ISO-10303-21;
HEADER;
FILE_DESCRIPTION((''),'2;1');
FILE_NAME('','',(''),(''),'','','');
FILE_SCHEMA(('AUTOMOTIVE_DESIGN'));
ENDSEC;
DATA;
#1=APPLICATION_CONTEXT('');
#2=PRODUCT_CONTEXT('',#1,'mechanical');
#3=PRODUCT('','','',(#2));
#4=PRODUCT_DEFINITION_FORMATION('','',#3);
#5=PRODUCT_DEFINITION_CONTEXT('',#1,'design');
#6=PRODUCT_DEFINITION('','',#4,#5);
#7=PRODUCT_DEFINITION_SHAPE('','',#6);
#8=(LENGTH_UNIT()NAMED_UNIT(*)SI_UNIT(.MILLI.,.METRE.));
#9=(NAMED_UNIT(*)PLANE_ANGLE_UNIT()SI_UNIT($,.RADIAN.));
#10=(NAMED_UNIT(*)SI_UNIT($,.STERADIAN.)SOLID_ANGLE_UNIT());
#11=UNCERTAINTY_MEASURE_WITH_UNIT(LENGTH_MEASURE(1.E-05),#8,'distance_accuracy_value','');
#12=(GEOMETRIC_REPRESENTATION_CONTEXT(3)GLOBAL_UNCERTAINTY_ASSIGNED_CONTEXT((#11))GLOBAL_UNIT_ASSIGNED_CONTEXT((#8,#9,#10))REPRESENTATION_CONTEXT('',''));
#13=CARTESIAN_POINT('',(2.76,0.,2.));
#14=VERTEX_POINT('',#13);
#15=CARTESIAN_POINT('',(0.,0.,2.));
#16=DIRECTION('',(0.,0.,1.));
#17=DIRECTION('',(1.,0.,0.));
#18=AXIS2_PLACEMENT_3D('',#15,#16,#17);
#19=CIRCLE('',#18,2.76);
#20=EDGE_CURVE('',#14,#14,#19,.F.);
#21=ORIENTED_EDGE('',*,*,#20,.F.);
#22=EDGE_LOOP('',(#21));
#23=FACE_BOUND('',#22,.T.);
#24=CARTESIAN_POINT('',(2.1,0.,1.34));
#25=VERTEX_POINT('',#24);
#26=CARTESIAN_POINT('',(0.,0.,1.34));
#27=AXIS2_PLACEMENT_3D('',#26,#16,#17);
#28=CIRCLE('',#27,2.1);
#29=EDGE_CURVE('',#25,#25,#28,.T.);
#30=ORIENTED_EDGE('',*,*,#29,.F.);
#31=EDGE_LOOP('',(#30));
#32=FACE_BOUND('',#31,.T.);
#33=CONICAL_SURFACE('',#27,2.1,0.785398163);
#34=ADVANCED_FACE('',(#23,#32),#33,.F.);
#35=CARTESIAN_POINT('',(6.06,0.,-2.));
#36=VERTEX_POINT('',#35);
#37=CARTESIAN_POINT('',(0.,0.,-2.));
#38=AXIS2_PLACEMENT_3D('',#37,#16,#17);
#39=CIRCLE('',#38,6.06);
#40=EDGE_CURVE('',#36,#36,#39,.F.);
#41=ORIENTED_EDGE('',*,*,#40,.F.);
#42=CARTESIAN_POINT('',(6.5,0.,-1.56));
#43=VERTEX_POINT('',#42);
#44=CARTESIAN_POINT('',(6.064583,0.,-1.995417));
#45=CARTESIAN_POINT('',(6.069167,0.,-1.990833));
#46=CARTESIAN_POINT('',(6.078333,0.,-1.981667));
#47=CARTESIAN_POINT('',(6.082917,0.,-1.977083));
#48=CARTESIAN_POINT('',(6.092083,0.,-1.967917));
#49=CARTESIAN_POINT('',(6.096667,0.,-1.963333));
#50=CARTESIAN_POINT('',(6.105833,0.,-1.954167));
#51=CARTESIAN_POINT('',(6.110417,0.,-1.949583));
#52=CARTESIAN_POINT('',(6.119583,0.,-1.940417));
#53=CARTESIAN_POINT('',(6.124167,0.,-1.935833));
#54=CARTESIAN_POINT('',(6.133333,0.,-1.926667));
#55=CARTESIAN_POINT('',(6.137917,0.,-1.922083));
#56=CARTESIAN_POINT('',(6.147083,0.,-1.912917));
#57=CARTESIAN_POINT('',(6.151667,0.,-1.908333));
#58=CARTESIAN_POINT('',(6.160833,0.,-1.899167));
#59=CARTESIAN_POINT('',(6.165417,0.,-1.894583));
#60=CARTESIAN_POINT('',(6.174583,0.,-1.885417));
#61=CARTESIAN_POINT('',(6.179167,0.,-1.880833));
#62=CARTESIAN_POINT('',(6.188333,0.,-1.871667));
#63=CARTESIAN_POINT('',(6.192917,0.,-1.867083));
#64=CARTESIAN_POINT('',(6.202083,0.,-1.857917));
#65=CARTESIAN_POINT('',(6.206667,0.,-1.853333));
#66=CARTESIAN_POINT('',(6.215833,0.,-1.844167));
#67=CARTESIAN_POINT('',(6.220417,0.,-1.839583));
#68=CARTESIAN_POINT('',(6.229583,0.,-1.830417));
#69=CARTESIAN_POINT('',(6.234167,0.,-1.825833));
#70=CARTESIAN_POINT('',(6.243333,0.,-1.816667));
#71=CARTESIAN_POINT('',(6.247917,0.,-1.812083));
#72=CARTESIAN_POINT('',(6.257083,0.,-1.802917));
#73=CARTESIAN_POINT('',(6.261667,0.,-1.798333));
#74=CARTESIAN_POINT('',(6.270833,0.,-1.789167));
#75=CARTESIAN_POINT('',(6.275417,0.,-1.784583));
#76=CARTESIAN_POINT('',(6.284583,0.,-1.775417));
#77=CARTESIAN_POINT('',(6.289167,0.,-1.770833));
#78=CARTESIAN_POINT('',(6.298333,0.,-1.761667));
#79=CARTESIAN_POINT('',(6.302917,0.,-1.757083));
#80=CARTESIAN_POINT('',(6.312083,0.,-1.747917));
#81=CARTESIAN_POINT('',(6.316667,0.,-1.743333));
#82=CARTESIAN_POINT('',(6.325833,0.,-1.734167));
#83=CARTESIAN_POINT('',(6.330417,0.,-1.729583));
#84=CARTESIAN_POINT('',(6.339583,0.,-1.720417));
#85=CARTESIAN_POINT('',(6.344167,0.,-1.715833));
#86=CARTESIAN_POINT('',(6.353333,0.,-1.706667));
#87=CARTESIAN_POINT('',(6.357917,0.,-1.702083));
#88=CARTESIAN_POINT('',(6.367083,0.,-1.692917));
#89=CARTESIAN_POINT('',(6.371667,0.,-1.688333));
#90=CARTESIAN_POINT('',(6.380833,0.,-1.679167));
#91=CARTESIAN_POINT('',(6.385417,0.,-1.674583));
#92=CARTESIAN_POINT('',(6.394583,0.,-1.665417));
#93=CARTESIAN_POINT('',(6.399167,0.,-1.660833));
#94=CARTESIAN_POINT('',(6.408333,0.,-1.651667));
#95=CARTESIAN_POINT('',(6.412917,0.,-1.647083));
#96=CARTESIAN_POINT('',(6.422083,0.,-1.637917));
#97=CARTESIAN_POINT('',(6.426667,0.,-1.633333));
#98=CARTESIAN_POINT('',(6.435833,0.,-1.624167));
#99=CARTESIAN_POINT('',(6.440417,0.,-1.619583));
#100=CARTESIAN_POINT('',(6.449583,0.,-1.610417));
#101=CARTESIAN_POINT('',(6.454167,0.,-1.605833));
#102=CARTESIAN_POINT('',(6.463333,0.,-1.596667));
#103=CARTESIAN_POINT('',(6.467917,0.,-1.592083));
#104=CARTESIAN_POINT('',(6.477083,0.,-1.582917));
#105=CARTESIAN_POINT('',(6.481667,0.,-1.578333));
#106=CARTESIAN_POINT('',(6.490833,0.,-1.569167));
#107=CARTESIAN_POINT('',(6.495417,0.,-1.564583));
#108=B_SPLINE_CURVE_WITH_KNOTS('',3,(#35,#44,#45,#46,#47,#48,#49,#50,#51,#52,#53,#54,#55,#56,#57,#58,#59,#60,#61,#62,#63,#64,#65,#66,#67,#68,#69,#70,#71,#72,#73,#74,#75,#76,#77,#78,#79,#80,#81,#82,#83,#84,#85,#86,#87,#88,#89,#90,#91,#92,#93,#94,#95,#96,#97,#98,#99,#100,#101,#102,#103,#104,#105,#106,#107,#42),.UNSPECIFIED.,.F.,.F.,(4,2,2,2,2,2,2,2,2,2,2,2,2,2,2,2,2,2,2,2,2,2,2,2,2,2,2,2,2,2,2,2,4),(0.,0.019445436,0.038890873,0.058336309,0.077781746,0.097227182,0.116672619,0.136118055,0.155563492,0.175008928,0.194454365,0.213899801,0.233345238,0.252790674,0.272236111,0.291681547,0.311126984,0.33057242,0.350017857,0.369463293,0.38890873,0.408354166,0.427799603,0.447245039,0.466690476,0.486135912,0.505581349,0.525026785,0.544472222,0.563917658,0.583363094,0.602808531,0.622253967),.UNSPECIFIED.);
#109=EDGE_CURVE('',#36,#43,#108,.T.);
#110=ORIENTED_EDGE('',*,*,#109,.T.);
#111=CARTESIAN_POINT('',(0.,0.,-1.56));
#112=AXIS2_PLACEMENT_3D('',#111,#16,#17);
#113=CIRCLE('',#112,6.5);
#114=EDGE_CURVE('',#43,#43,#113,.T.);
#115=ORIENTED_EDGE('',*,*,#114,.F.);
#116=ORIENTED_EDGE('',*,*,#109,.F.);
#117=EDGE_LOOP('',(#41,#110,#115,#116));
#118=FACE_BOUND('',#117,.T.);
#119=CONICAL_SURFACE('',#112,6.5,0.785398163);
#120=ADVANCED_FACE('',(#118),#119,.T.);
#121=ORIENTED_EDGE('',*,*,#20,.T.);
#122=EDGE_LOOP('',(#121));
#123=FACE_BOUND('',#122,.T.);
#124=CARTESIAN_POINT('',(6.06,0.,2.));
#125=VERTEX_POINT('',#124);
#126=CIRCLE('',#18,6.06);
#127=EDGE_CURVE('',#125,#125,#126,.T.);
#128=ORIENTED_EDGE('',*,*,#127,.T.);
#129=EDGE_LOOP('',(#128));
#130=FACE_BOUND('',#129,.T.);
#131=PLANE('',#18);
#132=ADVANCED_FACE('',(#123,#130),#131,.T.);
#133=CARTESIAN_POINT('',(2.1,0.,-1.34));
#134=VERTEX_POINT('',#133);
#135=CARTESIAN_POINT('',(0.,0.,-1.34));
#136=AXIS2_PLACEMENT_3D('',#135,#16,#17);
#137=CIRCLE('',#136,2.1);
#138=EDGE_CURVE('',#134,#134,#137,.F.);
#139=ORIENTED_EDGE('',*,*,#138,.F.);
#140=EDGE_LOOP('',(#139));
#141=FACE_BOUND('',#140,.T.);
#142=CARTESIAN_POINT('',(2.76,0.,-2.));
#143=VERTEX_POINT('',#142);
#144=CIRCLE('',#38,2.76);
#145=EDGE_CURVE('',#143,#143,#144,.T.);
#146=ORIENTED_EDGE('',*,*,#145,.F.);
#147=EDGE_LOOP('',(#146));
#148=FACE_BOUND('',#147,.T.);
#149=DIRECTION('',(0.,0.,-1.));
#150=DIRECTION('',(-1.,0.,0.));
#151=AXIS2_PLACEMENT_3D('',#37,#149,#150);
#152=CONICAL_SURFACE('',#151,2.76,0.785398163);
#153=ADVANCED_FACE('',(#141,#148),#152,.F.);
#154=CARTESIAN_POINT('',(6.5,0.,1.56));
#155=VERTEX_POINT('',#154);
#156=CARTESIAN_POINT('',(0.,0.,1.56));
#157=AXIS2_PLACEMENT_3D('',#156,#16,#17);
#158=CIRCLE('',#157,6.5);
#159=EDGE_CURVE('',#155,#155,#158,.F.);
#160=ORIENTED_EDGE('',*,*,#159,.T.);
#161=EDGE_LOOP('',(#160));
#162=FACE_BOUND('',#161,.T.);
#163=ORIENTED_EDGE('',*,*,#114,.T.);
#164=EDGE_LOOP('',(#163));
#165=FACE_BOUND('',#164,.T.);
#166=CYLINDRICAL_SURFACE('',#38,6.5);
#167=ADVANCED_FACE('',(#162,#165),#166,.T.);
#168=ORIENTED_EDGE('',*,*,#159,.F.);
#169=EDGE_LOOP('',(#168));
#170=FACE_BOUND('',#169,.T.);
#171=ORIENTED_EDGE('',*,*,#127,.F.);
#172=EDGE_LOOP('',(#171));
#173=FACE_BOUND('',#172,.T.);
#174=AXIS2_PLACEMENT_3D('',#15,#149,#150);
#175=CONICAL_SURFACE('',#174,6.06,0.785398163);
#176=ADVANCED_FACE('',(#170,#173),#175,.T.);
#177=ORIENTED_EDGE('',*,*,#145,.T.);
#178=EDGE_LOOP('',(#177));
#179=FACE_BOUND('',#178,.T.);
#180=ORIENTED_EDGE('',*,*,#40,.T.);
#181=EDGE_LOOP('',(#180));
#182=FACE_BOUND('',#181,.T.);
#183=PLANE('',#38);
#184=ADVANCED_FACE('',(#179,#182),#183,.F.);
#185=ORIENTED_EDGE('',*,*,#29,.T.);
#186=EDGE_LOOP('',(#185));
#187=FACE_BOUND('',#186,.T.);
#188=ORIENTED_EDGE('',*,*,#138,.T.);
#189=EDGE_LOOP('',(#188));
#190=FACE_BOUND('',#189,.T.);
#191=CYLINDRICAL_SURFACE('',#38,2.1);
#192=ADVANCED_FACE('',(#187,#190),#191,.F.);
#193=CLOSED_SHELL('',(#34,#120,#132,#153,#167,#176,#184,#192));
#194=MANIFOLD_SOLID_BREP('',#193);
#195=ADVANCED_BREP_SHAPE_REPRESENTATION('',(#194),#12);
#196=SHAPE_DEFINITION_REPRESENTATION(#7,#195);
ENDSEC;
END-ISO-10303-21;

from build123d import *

# Parameters (mm, degrees)
BOSS_EXTRUDE1_DEPTH      = 2
BOSS_EXTRUDE1_DEPTH_BACK = 2
SKETCH3_R                = 6.5
SKETCH3_R_2              = 2.1
CHAMFER1_SIZE            = 0.44
CHAMFER2_SIZE            = 0.66


with BuildPart() as part:
    # Sketch3 → Boss-Extrude1 (new, two sides: drawn at the far end of the back side and taken through both)
    with BuildSketch(Plane.XY.offset(-BOSS_EXTRUDE1_DEPTH_BACK)):
        Circle(SKETCH3_R)
        Circle(SKETCH3_R_2, mode=Mode.SUBTRACT)
    extrude(amount=BOSS_EXTRUDE1_DEPTH + BOSS_EXTRUDE1_DEPTH_BACK)

    # Chamfer1
    chamfer1_edges = [part.edges().sort_by_distance(p)[0] for p in [
        (-6.5, 0, -2),
        (-6.5, 0, 2),
    ]]
    chamfer(chamfer1_edges, length=CHAMFER1_SIZE)

    # Chamfer2
    chamfer2_edges = [part.edges().sort_by_distance(p)[0] for p in [
        (-2.1, 0, -2),
        (-2.1, 0, 2),
    ]]
    chamfer(chamfer2_edges, length=CHAMFER2_SIZE)


solid = part.part
